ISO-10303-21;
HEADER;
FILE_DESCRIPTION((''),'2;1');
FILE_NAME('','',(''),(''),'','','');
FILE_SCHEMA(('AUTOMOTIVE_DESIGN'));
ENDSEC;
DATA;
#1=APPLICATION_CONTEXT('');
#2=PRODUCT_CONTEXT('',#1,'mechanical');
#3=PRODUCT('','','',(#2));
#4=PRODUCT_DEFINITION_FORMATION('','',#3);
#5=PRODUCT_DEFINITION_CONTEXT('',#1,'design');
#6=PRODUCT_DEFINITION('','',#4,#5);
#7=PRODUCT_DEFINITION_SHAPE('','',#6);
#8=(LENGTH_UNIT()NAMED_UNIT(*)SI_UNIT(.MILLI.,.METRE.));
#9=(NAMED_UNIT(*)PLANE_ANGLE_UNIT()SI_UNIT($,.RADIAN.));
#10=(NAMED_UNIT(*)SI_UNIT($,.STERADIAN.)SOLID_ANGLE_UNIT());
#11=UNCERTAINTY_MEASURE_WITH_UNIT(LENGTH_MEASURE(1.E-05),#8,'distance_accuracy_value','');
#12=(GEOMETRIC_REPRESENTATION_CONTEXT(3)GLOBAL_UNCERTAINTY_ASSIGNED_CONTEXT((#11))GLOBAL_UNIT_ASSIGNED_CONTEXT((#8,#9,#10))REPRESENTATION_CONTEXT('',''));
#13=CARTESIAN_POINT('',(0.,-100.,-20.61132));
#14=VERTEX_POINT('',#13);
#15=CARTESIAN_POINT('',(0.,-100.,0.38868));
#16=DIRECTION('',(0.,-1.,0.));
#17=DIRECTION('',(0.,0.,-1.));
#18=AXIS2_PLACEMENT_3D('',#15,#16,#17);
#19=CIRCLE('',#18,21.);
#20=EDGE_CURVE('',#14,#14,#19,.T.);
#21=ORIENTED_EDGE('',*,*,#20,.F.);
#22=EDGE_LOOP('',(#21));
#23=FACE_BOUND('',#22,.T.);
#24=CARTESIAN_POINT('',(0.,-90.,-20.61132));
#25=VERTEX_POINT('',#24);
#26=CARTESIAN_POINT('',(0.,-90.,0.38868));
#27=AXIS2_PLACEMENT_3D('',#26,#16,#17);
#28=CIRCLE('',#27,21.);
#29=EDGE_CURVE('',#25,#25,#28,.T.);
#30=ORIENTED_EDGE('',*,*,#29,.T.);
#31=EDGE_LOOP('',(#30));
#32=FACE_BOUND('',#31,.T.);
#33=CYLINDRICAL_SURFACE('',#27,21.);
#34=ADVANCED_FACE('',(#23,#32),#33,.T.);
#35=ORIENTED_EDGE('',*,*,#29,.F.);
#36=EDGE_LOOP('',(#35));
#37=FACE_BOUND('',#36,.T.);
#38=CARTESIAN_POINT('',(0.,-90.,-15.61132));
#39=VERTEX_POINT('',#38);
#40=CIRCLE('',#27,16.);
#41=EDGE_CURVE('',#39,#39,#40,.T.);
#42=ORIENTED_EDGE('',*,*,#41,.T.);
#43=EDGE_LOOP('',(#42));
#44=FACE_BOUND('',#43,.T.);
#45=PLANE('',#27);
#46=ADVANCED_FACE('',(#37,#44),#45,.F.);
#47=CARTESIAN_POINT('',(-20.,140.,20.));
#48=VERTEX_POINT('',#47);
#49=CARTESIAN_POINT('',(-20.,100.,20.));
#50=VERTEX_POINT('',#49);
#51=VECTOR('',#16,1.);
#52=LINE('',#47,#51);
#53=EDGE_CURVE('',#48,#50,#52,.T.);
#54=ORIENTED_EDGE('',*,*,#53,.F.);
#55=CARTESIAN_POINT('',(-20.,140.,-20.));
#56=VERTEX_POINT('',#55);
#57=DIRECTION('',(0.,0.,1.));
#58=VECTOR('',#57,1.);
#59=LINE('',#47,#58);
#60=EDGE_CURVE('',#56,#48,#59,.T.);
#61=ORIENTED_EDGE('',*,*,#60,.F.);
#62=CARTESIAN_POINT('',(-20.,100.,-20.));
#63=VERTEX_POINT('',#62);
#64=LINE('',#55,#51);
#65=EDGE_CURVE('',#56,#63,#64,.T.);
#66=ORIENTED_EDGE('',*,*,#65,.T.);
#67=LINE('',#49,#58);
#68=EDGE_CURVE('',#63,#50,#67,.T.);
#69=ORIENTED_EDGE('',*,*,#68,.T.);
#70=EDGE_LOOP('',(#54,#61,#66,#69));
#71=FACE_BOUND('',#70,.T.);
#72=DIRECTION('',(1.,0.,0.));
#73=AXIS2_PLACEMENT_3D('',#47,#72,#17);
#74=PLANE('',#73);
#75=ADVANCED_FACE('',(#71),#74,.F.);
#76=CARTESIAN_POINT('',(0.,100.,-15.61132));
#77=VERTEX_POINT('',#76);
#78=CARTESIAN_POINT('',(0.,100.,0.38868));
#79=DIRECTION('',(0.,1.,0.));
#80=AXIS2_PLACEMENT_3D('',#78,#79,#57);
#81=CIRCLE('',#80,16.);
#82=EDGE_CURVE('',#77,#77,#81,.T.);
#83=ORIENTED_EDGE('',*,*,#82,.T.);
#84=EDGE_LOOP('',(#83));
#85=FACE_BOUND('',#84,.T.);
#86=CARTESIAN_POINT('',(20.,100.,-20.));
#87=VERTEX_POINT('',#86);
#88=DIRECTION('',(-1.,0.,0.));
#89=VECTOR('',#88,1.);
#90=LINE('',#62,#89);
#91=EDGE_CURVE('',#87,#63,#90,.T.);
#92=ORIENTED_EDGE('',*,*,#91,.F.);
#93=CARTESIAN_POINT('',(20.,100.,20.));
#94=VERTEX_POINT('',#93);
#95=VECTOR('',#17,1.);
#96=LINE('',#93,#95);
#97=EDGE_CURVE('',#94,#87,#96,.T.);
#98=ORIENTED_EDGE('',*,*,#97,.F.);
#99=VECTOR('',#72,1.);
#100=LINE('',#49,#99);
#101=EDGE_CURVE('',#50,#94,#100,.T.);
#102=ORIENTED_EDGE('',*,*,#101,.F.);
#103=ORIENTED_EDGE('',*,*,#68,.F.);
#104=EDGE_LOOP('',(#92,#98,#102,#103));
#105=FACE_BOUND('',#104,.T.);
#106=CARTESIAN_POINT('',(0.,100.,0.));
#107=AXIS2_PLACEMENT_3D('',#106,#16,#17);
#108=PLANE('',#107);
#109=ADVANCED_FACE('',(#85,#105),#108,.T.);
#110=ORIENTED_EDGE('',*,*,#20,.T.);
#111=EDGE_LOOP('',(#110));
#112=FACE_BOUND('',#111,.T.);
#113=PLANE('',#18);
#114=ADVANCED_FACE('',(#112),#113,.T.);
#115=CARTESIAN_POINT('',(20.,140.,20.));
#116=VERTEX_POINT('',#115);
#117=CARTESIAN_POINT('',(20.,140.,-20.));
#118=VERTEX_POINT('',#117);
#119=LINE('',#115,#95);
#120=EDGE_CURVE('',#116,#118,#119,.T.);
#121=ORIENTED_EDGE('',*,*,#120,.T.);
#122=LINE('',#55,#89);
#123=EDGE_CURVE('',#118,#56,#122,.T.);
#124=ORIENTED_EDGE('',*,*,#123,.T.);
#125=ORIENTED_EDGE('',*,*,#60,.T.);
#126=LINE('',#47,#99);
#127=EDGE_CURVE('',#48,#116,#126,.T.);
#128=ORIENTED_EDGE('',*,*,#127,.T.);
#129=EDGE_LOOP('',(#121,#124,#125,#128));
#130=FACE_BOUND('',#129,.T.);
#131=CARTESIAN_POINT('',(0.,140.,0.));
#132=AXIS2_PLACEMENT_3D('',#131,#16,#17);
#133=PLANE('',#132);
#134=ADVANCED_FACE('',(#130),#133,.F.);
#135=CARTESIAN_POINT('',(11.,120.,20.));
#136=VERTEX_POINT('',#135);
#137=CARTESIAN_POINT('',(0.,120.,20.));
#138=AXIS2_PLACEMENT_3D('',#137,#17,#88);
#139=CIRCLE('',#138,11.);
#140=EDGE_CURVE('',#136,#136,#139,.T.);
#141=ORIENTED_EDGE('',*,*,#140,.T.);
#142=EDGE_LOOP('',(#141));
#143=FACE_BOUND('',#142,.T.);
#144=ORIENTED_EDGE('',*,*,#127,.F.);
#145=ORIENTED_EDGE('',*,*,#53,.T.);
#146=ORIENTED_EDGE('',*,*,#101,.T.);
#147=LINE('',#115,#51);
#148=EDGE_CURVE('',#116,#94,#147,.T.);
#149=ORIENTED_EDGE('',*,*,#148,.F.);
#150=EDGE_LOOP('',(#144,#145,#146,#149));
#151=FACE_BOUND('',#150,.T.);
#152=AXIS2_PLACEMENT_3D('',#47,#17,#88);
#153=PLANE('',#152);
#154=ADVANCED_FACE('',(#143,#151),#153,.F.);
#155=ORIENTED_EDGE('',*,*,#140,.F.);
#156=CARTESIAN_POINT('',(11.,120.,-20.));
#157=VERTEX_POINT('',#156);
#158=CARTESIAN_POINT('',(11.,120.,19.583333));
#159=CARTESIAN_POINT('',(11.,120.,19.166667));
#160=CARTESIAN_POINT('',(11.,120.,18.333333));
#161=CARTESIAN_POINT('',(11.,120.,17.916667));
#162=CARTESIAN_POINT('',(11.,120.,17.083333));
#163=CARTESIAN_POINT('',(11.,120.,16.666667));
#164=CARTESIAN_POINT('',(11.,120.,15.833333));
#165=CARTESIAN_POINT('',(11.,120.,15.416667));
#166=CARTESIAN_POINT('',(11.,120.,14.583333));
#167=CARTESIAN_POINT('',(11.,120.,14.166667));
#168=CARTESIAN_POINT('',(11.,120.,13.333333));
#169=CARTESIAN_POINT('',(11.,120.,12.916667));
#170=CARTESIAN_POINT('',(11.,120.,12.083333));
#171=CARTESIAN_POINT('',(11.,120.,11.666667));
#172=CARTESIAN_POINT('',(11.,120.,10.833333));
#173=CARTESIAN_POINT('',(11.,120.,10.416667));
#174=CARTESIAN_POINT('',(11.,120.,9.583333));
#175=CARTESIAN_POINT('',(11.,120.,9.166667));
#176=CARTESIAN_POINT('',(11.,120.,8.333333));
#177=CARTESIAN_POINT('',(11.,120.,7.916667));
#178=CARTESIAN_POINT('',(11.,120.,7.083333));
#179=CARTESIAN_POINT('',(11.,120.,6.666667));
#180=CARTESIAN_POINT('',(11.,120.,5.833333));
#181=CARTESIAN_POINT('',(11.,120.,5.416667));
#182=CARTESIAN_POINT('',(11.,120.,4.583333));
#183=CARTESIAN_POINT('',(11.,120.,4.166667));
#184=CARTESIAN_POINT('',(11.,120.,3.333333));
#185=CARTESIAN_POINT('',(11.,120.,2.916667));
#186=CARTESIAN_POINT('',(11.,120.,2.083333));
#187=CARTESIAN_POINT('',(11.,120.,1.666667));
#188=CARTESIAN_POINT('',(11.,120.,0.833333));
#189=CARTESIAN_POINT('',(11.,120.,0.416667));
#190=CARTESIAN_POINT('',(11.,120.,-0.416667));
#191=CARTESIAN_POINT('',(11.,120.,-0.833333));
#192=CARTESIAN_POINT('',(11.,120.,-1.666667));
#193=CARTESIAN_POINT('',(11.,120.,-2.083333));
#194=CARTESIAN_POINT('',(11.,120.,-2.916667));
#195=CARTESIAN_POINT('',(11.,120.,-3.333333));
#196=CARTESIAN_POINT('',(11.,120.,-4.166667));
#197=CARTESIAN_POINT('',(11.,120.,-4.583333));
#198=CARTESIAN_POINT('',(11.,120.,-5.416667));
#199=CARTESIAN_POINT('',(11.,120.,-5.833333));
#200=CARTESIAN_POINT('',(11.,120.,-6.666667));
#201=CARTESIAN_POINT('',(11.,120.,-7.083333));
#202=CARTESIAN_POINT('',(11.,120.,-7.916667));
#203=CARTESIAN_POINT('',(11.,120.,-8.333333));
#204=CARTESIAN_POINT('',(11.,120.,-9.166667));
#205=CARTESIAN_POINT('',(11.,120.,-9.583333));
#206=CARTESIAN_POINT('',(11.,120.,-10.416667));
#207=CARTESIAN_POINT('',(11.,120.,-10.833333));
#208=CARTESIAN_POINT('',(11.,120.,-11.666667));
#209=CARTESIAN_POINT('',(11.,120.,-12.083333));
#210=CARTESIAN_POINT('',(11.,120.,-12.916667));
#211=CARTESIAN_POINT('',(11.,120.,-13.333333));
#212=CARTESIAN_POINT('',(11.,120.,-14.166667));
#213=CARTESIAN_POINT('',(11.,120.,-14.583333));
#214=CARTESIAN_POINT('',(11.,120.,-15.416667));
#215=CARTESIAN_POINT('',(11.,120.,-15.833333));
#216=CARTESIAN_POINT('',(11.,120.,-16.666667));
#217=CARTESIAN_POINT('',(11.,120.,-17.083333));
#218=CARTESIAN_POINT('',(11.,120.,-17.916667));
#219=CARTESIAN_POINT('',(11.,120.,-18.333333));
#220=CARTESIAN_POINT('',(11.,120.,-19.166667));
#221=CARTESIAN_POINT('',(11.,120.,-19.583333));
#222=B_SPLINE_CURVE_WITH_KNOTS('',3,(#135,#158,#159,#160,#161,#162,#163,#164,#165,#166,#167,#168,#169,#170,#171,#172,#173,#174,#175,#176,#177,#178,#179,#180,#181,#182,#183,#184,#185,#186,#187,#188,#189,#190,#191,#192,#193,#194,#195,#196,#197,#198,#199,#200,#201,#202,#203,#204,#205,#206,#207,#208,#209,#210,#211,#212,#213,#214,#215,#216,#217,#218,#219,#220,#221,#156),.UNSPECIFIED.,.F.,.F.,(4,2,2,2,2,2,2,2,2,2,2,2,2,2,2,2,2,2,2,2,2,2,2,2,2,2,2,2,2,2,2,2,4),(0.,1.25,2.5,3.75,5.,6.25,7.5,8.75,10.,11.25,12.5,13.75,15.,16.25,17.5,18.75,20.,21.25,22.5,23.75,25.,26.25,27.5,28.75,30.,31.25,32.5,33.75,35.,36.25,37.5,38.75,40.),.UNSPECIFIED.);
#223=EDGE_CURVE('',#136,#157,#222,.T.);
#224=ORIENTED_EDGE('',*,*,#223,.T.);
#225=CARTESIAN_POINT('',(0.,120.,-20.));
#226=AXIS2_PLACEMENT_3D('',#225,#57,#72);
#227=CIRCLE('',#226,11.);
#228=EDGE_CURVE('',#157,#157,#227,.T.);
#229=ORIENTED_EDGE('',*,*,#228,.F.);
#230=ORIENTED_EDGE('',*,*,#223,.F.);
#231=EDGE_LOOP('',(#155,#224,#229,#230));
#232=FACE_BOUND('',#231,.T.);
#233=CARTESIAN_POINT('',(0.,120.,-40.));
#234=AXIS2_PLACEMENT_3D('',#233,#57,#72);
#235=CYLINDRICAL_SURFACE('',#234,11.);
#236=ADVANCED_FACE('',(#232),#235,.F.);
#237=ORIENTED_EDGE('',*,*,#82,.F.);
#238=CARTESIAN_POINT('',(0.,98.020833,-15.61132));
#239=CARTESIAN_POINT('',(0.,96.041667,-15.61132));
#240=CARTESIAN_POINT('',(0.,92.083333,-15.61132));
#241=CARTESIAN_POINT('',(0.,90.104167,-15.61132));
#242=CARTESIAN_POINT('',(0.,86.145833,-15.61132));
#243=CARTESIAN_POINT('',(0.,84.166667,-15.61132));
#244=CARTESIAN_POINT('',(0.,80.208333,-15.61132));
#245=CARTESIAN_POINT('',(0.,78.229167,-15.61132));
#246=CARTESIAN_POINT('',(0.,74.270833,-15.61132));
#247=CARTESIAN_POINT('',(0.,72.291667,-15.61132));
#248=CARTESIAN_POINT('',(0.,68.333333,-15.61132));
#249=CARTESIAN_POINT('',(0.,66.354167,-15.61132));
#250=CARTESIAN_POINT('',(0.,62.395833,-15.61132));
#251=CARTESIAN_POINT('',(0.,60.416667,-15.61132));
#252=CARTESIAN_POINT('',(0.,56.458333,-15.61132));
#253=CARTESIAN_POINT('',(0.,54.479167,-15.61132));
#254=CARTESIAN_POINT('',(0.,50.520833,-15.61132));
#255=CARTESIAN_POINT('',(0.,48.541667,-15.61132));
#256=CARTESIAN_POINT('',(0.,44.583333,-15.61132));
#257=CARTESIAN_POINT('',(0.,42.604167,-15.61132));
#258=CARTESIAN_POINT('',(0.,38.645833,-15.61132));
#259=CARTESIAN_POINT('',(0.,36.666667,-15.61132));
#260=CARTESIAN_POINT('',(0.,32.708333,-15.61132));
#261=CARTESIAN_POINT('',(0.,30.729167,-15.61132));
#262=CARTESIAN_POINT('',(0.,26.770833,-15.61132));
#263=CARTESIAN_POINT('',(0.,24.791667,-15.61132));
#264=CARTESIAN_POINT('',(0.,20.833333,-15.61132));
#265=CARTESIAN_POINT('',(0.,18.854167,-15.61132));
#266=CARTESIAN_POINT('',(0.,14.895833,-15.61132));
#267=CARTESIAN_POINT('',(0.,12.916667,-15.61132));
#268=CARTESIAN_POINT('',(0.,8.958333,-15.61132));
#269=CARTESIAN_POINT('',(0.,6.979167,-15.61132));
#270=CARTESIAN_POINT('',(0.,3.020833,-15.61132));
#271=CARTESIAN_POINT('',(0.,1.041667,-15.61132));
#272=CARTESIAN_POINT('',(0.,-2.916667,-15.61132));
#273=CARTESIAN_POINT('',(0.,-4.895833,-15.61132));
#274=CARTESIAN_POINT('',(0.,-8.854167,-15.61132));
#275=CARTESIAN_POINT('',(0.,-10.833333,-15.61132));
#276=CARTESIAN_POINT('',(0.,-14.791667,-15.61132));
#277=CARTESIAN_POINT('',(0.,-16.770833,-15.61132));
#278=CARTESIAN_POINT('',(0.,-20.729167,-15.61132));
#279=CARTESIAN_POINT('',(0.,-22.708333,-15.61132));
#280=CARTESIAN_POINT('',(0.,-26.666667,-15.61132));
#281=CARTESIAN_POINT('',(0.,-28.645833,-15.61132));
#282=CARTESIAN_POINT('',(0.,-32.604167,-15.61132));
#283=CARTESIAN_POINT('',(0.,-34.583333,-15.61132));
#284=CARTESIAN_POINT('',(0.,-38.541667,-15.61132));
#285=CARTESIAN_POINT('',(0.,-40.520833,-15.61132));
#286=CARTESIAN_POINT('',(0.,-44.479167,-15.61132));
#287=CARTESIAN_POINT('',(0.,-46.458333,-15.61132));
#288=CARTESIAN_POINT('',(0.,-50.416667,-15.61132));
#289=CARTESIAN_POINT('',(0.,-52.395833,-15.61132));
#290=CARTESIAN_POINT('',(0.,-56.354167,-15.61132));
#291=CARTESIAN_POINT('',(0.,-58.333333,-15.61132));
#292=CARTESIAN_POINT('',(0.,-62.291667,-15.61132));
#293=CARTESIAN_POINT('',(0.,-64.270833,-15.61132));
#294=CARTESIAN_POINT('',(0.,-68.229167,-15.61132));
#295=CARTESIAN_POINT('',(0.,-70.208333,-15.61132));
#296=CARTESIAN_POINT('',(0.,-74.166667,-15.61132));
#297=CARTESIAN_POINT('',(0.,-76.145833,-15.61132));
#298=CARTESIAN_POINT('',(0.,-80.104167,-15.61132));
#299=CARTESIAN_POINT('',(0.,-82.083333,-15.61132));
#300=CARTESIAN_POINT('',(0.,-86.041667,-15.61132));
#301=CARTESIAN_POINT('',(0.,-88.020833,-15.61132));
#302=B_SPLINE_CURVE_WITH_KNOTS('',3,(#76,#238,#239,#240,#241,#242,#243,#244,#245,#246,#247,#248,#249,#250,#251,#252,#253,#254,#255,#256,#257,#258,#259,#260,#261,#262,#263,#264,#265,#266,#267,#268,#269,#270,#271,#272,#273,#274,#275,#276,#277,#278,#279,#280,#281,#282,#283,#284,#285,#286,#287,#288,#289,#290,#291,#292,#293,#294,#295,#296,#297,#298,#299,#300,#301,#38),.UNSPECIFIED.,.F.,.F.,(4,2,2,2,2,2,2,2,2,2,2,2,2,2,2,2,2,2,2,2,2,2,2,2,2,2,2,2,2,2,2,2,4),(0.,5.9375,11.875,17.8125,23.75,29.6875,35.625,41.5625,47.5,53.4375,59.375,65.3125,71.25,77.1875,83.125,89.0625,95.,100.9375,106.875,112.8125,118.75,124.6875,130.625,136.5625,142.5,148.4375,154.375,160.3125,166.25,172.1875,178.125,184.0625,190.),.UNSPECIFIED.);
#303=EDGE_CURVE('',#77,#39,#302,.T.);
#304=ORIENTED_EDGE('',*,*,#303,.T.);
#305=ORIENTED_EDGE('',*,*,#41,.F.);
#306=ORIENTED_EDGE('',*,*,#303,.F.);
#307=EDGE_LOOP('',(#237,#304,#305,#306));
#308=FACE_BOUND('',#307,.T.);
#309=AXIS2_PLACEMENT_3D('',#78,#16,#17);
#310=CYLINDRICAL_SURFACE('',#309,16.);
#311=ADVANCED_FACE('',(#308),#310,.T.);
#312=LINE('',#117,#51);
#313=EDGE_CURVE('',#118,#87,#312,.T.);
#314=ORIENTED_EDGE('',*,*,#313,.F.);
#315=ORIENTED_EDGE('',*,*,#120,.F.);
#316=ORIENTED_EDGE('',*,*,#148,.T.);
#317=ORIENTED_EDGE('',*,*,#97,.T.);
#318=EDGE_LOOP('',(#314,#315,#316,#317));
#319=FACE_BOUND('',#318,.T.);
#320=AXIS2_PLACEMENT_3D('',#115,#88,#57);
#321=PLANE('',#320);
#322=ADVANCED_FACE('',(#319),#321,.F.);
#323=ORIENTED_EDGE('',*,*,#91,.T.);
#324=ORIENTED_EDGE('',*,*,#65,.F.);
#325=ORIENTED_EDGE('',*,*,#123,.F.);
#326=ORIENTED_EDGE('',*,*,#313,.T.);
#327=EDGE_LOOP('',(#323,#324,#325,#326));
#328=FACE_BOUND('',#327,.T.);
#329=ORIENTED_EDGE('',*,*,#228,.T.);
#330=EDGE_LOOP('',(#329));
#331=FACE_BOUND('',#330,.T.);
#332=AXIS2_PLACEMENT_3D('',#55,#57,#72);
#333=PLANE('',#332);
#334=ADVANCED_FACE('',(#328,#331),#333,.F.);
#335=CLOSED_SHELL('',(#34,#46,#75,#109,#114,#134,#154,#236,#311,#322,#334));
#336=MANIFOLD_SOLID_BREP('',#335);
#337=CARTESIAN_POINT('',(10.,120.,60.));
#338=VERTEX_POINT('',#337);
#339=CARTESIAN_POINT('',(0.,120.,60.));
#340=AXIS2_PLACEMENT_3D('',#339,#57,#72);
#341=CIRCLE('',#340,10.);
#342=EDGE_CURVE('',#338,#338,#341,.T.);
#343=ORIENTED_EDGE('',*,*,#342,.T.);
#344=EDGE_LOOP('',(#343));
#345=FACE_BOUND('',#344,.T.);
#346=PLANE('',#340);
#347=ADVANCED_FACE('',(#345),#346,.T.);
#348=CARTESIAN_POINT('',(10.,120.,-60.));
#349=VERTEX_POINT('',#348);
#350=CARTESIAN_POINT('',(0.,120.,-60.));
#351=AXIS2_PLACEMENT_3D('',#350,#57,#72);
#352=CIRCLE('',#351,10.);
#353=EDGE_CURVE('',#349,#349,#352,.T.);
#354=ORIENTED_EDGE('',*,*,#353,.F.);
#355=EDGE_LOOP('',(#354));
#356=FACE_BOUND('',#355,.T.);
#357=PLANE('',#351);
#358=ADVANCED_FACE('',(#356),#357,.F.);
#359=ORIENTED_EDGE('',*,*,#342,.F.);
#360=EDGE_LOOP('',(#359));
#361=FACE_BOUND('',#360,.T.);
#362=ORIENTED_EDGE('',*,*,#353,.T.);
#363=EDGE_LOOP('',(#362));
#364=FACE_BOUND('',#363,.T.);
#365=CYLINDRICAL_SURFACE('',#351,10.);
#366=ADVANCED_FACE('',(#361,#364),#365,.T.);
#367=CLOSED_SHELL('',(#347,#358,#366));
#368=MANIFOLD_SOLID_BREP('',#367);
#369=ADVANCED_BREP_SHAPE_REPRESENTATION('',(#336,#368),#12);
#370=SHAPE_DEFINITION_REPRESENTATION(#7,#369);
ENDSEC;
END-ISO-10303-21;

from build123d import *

# Parameters (mm, degrees)
SKETCH1_R                = 16
BOSS_EXTRUDE1_DEPTH      = 100
SKETCH2_W                = 40
SKETCH2_H                = 40
BOSS_EXTRUDE2_DEPTH      = 40
BOSS_EXTRUDE3_DEPTH      = 40
BOSS_EXTRUDE3_DEPTH_BACK = 80
SKETCH3_R                = 10
BOSS_EXTRUDE4_START      = 100
SKETCH4_R                = 16
BOSS_EXTRUDE4_DEPTH      = 100
SKETCH5_R                = 21
SKETCH5_R_2              = 16
BOSS_EXTRUDE5_DEPTH      = 10
SKETCH6_R                = 11
SKETCH6_R_2              = 10
CUT_EXTRUDE1_DEPTH       = 100


with BuildPart() as part:
    # Sketch1 → Boss-Extrude1 (new body)
    with BuildSketch(Plane(origin=(0, 0, 0), x_dir=(1, 0, 0), z_dir=(0, 1, 0))):
        with Locations(Location((0, -0.388679949, 0), (0, 0, 90))):
            Circle(SKETCH1_R)
    extrude(amount=BOSS_EXTRUDE1_DEPTH)

    # Sketch2 → Boss-Extrude2 (add)
    with BuildSketch(Plane(origin=(0, 100, 0), x_dir=(1, 0, 0), z_dir=(0, 1, 0))):
        Rectangle(SKETCH2_W, SKETCH2_H)
    extrude(amount=BOSS_EXTRUDE2_DEPTH)

    # Sketch3 → Boss-Extrude3 (add, two sides: drawn at the far end of the back side and taken through both)
    with BuildSketch(Plane.XY.offset(20).offset(-BOSS_EXTRUDE3_DEPTH_BACK)):
        with Locations((0, 120)):
            Circle(SKETCH3_R)
    extrude(amount=BOSS_EXTRUDE3_DEPTH + BOSS_EXTRUDE3_DEPTH_BACK)

    # Sketch4 → Boss-Extrude4 (add)
    with BuildSketch(Plane.XZ.offset(BOSS_EXTRUDE4_START)):
        with Locations(Location((0, 0.388679949, 0), (0, 0, 270))):
            Circle(SKETCH4_R)
    extrude(amount=-BOSS_EXTRUDE4_DEPTH)

    # Sketch5 → Boss-Extrude5 (add)
    with BuildSketch(Plane.XZ.offset(100)):
        with Locations(Location((0, 0.388679949, 0), (0, 0, 270))):
            Circle(SKETCH5_R)
        with Locations(Location((0, 0.388679949, 0), (0, 0, 270))):
            Circle(SKETCH5_R_2, mode=Mode.SUBTRACT)
    extrude(amount=-BOSS_EXTRUDE5_DEPTH)

    # Sketch6 → Cut-Extrude1 (cut)
    with BuildSketch(Plane.XY.offset(60)):
        with Locations((0, 120)):
            Circle(SKETCH6_R)
        with Locations((0, 120)):
            Circle(SKETCH6_R_2, mode=Mode.SUBTRACT)
    extrude(amount=-CUT_EXTRUDE1_DEPTH, mode=Mode.SUBTRACT)


with BuildPart() as cut_extrude1_piece_1:
    # of the separate pieces the step leaves, piece 1, a body of its own (cut_extrude1_pieces)
    add(part.part.solids().sort_by_distance((-20, 100, 20))[0])


with BuildPart() as cut_extrude1_piece_2:
    # of the separate pieces the step leaves, piece 2, a body of its own (cut_extrude1_pieces)
    add(part.part.solids().sort_by_distance((10, 120, 60))[0])


solid = Compound([cut_extrude1_piece_1.part, cut_extrude1_piece_2.part])
